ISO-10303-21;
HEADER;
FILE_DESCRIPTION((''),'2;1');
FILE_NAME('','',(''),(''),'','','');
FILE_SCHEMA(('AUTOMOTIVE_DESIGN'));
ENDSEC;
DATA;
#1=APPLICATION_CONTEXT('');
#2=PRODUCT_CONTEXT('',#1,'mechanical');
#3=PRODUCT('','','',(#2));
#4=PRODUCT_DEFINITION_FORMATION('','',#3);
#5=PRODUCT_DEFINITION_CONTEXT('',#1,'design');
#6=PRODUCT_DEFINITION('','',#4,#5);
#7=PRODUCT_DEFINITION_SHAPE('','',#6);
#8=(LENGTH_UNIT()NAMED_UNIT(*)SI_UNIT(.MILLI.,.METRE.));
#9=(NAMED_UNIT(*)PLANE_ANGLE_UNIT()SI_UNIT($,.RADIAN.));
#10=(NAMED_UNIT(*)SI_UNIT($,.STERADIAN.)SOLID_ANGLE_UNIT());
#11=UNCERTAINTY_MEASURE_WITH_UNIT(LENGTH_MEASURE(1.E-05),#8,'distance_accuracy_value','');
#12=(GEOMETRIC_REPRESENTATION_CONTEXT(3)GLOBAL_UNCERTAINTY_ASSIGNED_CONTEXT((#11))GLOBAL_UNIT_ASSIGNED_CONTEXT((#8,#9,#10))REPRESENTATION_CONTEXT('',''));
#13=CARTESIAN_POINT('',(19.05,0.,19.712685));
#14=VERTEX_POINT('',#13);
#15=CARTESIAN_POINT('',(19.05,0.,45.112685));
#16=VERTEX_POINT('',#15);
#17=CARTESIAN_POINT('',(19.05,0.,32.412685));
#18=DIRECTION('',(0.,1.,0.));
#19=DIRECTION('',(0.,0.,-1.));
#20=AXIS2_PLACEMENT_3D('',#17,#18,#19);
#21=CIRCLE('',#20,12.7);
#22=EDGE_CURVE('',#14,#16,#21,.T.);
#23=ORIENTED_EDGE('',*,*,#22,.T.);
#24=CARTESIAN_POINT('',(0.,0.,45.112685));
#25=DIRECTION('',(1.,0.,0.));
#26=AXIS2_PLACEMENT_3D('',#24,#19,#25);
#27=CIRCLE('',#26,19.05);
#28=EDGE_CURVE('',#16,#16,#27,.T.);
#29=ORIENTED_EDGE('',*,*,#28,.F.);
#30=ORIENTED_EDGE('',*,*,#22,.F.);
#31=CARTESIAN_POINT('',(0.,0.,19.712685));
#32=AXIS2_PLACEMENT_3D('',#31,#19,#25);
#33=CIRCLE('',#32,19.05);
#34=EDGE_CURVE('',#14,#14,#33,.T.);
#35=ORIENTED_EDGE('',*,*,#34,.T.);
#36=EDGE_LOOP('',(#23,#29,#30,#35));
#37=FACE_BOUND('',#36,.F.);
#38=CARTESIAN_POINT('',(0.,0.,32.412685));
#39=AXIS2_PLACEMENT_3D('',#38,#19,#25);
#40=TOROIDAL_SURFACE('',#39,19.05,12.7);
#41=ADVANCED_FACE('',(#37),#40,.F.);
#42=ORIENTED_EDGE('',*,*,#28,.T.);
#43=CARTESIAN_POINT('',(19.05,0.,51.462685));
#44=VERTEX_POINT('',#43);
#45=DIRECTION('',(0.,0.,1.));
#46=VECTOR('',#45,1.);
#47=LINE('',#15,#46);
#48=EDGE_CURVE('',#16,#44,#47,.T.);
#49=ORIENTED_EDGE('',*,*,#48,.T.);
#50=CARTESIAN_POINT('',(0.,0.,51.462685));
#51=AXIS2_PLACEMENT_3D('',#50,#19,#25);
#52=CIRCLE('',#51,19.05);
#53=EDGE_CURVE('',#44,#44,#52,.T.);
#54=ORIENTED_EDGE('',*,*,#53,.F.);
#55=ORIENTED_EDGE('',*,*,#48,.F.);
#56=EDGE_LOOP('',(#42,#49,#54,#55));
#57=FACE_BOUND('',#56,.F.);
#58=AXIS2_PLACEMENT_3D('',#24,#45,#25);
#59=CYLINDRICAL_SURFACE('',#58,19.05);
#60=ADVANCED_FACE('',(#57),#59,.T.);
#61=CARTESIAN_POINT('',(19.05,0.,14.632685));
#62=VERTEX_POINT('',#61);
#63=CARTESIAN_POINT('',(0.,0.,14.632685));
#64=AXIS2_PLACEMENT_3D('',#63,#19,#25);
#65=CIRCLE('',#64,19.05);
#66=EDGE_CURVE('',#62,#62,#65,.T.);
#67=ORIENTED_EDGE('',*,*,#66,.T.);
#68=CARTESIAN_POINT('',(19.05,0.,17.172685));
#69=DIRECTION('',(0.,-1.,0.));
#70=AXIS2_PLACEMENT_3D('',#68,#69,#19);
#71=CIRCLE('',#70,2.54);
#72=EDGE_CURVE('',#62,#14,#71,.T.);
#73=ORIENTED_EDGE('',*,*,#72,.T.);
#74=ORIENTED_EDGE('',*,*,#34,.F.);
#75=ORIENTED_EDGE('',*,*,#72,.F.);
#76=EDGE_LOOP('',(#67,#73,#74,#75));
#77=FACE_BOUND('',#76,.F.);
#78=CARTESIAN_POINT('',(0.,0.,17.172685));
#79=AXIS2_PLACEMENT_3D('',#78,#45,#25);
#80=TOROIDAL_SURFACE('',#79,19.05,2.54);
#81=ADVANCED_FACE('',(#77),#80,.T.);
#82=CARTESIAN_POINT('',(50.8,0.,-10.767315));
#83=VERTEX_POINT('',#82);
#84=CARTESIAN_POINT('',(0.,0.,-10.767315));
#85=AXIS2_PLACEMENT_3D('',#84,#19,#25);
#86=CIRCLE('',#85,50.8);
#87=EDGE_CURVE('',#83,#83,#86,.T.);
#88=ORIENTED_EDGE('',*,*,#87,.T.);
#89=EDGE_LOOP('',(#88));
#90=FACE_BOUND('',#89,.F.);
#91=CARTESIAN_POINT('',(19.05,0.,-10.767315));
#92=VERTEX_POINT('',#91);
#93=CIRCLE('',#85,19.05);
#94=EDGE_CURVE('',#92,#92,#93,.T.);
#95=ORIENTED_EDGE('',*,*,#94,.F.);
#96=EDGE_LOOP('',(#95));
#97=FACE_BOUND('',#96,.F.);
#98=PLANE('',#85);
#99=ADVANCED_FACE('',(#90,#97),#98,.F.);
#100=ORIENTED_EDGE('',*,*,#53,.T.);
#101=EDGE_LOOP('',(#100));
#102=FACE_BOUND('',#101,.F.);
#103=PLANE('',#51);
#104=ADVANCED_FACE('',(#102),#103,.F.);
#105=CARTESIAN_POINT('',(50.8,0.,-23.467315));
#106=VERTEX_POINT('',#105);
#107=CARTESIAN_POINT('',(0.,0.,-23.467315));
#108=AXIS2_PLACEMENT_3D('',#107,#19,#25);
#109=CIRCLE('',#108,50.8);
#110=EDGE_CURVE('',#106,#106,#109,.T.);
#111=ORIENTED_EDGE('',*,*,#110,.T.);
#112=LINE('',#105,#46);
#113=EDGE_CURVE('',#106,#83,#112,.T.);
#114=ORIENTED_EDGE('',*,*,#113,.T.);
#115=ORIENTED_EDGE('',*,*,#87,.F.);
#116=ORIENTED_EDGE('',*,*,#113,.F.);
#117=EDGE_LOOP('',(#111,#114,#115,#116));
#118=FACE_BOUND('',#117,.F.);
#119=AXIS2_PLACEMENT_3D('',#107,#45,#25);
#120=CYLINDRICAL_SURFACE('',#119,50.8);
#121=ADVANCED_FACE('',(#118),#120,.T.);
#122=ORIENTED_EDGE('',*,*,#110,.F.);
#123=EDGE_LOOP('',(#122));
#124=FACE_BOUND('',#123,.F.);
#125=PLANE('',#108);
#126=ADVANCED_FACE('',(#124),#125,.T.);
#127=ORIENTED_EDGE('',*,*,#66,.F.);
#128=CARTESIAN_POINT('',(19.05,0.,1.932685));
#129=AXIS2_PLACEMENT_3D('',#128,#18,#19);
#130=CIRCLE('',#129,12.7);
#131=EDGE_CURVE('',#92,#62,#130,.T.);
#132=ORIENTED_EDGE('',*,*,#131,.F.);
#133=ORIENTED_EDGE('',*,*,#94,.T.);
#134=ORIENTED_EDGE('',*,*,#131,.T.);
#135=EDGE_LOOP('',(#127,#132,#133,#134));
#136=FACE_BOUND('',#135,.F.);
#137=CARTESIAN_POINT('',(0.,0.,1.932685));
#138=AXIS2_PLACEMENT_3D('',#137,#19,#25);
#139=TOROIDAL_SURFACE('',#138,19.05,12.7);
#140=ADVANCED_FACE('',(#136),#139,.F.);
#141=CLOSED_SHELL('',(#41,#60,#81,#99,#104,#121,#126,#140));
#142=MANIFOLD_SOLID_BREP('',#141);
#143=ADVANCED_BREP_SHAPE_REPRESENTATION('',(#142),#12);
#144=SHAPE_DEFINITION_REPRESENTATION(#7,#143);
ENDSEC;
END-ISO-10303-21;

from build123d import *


with BuildPart() as f1:
    # F0 (on Front) → F1 (revolve)
    with BuildSketch(Plane.XZ):
        with BuildLine():
            Line((0, 51.462685), (0, -23.467315))
            Line((0, -23.467315), (50.8, -23.467315))
            Line((50.8, -23.467315), (50.8, -10.767315))
            Line((50.8, -10.767315), (19.05, -10.767315))
            ThreePointArc((19.05, -10.767315), (6.35, 1.932685), (19.05, 14.632685))
            ThreePointArc((19.05, 14.632685), (21.59, 17.172685), (19.05, 19.712685))
            ThreePointArc((19.05, 19.712685), (6.35, 32.412685), (19.05, 45.112685))
            Line((19.05, 45.112685), (19.05, 51.462685))
            Line((19.05, 51.462685), (0, 51.462685))
        make_face()
    revolve(axis=Axis((0, 0, 13.997685), (0, 0, -1)))


solid = f1.part
